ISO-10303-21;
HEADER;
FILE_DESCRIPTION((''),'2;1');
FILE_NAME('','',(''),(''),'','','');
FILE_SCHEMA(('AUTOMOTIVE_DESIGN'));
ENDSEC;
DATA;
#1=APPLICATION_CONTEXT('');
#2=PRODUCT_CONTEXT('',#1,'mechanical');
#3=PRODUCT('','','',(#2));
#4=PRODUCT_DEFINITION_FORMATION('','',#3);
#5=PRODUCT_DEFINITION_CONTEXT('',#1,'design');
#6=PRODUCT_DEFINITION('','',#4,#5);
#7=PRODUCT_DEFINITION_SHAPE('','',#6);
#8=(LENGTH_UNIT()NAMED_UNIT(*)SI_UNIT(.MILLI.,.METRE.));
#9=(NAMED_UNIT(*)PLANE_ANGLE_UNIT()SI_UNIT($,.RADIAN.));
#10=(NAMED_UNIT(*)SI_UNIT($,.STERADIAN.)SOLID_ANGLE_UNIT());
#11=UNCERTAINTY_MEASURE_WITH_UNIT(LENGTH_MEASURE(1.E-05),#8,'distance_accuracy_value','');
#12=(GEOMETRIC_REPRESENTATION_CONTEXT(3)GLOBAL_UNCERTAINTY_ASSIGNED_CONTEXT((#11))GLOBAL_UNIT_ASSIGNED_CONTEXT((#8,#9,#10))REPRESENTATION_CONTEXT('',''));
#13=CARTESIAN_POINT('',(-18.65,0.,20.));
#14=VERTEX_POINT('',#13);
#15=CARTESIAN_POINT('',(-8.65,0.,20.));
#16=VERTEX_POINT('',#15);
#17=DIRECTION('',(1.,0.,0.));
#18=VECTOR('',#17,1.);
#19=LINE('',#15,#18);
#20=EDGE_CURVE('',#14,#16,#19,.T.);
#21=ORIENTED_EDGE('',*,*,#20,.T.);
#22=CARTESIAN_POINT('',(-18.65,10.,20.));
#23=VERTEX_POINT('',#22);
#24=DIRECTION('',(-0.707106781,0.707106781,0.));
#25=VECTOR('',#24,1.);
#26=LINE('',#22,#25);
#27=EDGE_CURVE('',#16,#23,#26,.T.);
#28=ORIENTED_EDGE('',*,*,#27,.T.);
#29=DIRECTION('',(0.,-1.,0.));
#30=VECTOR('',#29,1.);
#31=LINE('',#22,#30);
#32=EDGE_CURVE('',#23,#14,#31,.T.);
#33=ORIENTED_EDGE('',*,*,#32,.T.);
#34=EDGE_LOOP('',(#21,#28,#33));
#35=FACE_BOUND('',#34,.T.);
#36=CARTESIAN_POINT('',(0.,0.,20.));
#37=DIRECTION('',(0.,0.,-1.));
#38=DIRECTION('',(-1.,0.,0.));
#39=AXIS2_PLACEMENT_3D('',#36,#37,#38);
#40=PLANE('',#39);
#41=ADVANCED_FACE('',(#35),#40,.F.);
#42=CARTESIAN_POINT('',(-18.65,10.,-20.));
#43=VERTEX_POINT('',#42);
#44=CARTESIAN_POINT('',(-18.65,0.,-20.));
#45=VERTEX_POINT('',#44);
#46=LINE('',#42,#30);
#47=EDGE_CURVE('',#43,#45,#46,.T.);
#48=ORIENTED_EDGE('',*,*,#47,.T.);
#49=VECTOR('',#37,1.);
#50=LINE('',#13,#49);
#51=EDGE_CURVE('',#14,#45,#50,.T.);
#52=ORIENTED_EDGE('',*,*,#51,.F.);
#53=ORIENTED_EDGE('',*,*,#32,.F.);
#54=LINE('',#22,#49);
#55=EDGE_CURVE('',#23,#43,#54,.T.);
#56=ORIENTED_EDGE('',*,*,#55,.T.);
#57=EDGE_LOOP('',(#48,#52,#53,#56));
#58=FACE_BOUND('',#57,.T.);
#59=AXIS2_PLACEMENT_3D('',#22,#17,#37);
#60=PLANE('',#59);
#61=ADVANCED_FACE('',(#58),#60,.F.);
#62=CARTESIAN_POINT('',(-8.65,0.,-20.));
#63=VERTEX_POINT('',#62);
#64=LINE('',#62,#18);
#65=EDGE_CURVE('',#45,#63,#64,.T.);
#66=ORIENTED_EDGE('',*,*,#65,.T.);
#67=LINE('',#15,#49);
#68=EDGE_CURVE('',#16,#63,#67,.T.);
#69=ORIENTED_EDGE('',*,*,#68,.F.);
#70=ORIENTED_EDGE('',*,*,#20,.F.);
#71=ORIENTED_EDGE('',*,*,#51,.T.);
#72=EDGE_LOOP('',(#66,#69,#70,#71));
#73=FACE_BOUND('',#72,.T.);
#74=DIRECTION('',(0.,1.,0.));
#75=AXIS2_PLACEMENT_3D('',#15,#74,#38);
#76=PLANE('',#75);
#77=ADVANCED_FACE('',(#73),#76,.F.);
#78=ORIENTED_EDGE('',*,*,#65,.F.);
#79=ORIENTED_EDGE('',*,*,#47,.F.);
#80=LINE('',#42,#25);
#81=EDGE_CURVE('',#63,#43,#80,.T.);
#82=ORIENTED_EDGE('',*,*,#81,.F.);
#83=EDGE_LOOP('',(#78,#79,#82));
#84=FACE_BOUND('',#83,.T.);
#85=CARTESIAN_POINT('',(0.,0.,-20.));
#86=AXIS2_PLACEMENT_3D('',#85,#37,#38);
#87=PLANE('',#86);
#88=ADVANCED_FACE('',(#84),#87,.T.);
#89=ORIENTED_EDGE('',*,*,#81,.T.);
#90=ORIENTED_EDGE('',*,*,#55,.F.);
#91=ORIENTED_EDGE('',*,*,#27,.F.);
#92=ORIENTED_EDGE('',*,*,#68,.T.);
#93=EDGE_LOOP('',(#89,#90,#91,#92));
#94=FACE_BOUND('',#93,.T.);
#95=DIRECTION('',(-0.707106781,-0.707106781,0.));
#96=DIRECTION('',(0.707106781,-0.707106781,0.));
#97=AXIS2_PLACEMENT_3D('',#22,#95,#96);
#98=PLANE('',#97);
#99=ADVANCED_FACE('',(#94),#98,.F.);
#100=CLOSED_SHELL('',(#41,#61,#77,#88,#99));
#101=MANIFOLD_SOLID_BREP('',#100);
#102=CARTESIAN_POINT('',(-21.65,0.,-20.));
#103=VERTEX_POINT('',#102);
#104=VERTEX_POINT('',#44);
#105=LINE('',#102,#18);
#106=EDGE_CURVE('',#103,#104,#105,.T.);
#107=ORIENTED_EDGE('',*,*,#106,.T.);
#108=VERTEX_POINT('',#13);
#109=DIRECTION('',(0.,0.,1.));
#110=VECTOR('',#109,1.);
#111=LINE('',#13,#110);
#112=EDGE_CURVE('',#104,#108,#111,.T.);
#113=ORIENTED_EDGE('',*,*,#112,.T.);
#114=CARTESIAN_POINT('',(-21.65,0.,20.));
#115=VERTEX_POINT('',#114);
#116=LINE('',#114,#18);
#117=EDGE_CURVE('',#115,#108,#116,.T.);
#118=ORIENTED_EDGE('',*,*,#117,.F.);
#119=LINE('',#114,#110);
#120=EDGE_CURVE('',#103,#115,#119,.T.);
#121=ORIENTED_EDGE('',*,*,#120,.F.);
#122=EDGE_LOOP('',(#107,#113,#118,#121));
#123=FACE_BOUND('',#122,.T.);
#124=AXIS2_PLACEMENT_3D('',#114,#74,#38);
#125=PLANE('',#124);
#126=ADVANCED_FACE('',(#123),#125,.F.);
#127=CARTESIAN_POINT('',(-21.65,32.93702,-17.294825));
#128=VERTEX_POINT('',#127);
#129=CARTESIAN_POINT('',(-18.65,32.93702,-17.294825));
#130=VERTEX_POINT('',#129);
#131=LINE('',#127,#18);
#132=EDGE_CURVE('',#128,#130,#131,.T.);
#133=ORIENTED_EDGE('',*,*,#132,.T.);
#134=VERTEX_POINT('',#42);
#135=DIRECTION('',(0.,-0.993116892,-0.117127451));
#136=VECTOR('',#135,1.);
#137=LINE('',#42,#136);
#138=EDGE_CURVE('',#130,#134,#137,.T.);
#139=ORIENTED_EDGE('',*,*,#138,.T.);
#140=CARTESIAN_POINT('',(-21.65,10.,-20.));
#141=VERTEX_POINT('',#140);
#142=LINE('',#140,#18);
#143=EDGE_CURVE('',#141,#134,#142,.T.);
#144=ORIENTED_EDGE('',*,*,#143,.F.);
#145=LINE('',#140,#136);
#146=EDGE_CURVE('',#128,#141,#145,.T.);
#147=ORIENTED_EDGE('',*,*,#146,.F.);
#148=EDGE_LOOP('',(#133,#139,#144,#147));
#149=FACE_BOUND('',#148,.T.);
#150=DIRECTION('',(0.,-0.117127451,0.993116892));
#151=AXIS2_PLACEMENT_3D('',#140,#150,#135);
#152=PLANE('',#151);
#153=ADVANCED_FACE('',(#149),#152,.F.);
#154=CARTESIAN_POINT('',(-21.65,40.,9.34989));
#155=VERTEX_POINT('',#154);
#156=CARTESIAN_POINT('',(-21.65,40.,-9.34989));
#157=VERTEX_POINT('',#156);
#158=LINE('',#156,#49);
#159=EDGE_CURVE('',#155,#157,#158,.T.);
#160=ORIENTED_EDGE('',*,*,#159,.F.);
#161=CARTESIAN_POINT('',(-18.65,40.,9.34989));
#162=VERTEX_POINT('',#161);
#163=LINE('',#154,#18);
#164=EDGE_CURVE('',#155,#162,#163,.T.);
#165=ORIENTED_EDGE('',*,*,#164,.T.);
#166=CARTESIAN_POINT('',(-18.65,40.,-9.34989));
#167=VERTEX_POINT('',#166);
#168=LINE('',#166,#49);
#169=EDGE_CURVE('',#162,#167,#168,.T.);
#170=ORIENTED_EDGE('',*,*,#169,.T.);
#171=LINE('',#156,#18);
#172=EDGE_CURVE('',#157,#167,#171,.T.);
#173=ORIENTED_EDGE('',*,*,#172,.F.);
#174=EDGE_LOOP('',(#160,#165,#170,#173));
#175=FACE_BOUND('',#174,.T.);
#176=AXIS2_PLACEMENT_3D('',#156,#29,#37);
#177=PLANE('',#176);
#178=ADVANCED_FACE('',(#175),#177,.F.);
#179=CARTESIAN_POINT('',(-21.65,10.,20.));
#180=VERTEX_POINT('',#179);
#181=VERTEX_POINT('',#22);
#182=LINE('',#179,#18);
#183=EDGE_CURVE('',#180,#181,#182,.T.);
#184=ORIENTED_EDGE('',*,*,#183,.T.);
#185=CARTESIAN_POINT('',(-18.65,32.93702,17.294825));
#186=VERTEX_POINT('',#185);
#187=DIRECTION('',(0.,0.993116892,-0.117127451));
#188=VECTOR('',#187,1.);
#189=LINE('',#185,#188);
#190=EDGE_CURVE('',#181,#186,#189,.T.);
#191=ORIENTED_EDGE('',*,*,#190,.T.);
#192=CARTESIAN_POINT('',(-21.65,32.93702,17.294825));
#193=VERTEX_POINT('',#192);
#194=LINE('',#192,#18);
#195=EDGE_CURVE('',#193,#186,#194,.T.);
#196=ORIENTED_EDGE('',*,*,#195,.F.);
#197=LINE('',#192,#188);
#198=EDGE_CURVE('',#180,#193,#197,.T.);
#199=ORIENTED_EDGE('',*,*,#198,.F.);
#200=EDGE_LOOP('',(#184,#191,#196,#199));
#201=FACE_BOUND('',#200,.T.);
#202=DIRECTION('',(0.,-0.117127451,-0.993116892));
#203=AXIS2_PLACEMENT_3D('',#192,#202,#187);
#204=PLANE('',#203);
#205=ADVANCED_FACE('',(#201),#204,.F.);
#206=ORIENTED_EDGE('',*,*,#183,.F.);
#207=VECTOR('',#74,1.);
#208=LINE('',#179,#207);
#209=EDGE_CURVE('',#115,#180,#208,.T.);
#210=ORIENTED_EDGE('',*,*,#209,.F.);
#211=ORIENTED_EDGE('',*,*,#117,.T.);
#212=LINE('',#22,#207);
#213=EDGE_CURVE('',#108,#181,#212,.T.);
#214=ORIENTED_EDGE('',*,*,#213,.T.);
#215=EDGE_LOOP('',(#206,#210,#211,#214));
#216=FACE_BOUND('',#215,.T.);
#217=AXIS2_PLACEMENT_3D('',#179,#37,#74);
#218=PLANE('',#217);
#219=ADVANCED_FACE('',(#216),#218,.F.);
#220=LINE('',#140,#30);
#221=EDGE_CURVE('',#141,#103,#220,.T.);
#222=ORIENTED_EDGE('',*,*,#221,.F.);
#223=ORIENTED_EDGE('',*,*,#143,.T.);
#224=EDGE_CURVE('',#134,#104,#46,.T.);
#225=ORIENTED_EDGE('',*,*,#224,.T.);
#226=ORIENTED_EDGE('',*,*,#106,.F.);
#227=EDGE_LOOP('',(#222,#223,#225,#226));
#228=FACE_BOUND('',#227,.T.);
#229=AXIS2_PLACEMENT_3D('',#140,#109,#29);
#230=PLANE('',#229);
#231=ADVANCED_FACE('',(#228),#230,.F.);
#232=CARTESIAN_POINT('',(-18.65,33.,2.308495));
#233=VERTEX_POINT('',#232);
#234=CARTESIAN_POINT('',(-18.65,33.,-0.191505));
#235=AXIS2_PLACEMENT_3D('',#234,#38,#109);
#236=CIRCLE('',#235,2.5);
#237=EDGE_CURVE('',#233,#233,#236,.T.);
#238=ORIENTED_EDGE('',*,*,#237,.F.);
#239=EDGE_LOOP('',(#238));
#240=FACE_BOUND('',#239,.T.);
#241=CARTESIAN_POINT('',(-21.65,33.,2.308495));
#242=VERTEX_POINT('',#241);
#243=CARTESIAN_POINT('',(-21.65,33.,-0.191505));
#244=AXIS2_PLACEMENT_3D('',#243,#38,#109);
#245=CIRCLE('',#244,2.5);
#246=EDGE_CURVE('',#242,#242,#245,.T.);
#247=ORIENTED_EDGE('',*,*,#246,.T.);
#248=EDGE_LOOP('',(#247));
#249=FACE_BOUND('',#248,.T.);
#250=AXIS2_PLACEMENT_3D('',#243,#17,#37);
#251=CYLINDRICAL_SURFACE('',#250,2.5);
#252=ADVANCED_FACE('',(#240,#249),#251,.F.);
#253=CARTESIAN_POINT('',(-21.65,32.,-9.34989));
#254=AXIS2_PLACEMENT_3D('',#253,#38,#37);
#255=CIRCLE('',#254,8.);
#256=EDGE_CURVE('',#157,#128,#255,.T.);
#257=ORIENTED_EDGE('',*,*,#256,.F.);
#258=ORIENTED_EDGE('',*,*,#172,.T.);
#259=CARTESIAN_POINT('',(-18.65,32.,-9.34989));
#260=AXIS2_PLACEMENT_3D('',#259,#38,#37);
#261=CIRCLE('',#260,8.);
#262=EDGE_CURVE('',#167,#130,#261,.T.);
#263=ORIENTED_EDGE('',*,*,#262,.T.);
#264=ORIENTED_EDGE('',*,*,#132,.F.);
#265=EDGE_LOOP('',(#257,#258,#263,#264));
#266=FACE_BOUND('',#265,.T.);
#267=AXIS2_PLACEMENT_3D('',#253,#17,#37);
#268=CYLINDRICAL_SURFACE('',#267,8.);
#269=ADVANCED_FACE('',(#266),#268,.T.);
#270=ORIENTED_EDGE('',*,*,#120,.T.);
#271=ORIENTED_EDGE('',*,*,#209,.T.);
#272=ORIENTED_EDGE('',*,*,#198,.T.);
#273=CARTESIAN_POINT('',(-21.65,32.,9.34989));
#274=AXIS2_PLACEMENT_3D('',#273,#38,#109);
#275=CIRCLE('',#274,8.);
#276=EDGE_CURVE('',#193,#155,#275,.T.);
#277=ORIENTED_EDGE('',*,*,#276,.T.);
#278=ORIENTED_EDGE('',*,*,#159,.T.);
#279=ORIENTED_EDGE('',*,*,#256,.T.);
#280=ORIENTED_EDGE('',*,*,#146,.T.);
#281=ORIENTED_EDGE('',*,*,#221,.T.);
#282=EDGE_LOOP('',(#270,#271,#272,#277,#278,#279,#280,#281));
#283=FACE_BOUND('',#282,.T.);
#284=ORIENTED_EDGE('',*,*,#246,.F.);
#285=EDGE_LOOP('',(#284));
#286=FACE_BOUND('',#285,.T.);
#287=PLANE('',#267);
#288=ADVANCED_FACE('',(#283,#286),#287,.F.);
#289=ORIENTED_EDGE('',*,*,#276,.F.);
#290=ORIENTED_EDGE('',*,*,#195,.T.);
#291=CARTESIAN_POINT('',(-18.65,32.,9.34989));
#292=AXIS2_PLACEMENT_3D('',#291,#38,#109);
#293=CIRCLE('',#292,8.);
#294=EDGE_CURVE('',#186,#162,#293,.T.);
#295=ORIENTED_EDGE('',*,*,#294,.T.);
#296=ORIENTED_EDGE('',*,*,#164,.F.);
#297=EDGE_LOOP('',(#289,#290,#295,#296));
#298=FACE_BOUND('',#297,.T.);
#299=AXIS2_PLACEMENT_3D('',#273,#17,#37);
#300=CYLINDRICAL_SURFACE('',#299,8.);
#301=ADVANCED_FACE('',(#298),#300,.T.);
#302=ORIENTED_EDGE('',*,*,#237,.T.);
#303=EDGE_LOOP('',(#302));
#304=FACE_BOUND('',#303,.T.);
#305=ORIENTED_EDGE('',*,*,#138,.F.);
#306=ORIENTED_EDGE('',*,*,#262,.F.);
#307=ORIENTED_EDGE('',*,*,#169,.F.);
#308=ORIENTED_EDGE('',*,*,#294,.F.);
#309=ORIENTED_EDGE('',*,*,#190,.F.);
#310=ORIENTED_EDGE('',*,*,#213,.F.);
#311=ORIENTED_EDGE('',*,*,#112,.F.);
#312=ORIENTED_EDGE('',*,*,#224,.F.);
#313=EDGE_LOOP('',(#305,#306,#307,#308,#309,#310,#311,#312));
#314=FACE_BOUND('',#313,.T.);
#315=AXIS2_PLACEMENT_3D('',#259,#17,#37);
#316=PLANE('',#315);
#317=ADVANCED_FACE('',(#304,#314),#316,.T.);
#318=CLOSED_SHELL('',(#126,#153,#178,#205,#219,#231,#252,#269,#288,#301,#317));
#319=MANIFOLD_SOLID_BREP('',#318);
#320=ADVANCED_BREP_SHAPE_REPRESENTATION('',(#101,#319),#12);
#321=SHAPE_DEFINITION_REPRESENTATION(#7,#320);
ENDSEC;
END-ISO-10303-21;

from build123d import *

# Parameters (mm, degrees)
SKETCH2_R           = 2.5
BOSS_EXTRUDE1_DEPTH = 3
BOSS_EXTRUDE2_DEPTH = 20


with BuildPart() as part:
    # Sketch2 → Boss-Extrude1 (new body)
    with BuildSketch(Plane.ZY.offset(18.65)):
        with BuildLine():
            Line((20, 10), (20, 0))
            Line((20, 0), (-20, 0))
            Line((-20, 0), (-20, 10))
            Line((-20, 10), (-17.294825357, 32.937019605))
            ThreePointArc((-17.294825357, 32.937019605), (-14.665143895, 37.978969679), (-9.349890224, 40))
            Line((-9.349890224, 40), (9.349890224, 40))
            ThreePointArc((9.349890224, 40), (14.665143895, 37.978969679), (17.294825357, 32.937019605))
            Line((17.294825357, 32.937019605), (20, 10))
        make_face()
        with Locations((-0.191504709, 33)):
            Circle(SKETCH2_R, mode=Mode.SUBTRACT)
    extrude(amount=BOSS_EXTRUDE1_DEPTH)


with BuildPart() as body_2:
    # Sketch3 → Boss-Extrude2 (new, symmetric)
    with BuildSketch(Plane.XY):
        Polygon((-18.65, 10), (-8.65, 0), (-18.65, 0), align=None)
    extrude(amount=BOSS_EXTRUDE2_DEPTH, both=True)


solid = Compound([part.part, body_2.part])
